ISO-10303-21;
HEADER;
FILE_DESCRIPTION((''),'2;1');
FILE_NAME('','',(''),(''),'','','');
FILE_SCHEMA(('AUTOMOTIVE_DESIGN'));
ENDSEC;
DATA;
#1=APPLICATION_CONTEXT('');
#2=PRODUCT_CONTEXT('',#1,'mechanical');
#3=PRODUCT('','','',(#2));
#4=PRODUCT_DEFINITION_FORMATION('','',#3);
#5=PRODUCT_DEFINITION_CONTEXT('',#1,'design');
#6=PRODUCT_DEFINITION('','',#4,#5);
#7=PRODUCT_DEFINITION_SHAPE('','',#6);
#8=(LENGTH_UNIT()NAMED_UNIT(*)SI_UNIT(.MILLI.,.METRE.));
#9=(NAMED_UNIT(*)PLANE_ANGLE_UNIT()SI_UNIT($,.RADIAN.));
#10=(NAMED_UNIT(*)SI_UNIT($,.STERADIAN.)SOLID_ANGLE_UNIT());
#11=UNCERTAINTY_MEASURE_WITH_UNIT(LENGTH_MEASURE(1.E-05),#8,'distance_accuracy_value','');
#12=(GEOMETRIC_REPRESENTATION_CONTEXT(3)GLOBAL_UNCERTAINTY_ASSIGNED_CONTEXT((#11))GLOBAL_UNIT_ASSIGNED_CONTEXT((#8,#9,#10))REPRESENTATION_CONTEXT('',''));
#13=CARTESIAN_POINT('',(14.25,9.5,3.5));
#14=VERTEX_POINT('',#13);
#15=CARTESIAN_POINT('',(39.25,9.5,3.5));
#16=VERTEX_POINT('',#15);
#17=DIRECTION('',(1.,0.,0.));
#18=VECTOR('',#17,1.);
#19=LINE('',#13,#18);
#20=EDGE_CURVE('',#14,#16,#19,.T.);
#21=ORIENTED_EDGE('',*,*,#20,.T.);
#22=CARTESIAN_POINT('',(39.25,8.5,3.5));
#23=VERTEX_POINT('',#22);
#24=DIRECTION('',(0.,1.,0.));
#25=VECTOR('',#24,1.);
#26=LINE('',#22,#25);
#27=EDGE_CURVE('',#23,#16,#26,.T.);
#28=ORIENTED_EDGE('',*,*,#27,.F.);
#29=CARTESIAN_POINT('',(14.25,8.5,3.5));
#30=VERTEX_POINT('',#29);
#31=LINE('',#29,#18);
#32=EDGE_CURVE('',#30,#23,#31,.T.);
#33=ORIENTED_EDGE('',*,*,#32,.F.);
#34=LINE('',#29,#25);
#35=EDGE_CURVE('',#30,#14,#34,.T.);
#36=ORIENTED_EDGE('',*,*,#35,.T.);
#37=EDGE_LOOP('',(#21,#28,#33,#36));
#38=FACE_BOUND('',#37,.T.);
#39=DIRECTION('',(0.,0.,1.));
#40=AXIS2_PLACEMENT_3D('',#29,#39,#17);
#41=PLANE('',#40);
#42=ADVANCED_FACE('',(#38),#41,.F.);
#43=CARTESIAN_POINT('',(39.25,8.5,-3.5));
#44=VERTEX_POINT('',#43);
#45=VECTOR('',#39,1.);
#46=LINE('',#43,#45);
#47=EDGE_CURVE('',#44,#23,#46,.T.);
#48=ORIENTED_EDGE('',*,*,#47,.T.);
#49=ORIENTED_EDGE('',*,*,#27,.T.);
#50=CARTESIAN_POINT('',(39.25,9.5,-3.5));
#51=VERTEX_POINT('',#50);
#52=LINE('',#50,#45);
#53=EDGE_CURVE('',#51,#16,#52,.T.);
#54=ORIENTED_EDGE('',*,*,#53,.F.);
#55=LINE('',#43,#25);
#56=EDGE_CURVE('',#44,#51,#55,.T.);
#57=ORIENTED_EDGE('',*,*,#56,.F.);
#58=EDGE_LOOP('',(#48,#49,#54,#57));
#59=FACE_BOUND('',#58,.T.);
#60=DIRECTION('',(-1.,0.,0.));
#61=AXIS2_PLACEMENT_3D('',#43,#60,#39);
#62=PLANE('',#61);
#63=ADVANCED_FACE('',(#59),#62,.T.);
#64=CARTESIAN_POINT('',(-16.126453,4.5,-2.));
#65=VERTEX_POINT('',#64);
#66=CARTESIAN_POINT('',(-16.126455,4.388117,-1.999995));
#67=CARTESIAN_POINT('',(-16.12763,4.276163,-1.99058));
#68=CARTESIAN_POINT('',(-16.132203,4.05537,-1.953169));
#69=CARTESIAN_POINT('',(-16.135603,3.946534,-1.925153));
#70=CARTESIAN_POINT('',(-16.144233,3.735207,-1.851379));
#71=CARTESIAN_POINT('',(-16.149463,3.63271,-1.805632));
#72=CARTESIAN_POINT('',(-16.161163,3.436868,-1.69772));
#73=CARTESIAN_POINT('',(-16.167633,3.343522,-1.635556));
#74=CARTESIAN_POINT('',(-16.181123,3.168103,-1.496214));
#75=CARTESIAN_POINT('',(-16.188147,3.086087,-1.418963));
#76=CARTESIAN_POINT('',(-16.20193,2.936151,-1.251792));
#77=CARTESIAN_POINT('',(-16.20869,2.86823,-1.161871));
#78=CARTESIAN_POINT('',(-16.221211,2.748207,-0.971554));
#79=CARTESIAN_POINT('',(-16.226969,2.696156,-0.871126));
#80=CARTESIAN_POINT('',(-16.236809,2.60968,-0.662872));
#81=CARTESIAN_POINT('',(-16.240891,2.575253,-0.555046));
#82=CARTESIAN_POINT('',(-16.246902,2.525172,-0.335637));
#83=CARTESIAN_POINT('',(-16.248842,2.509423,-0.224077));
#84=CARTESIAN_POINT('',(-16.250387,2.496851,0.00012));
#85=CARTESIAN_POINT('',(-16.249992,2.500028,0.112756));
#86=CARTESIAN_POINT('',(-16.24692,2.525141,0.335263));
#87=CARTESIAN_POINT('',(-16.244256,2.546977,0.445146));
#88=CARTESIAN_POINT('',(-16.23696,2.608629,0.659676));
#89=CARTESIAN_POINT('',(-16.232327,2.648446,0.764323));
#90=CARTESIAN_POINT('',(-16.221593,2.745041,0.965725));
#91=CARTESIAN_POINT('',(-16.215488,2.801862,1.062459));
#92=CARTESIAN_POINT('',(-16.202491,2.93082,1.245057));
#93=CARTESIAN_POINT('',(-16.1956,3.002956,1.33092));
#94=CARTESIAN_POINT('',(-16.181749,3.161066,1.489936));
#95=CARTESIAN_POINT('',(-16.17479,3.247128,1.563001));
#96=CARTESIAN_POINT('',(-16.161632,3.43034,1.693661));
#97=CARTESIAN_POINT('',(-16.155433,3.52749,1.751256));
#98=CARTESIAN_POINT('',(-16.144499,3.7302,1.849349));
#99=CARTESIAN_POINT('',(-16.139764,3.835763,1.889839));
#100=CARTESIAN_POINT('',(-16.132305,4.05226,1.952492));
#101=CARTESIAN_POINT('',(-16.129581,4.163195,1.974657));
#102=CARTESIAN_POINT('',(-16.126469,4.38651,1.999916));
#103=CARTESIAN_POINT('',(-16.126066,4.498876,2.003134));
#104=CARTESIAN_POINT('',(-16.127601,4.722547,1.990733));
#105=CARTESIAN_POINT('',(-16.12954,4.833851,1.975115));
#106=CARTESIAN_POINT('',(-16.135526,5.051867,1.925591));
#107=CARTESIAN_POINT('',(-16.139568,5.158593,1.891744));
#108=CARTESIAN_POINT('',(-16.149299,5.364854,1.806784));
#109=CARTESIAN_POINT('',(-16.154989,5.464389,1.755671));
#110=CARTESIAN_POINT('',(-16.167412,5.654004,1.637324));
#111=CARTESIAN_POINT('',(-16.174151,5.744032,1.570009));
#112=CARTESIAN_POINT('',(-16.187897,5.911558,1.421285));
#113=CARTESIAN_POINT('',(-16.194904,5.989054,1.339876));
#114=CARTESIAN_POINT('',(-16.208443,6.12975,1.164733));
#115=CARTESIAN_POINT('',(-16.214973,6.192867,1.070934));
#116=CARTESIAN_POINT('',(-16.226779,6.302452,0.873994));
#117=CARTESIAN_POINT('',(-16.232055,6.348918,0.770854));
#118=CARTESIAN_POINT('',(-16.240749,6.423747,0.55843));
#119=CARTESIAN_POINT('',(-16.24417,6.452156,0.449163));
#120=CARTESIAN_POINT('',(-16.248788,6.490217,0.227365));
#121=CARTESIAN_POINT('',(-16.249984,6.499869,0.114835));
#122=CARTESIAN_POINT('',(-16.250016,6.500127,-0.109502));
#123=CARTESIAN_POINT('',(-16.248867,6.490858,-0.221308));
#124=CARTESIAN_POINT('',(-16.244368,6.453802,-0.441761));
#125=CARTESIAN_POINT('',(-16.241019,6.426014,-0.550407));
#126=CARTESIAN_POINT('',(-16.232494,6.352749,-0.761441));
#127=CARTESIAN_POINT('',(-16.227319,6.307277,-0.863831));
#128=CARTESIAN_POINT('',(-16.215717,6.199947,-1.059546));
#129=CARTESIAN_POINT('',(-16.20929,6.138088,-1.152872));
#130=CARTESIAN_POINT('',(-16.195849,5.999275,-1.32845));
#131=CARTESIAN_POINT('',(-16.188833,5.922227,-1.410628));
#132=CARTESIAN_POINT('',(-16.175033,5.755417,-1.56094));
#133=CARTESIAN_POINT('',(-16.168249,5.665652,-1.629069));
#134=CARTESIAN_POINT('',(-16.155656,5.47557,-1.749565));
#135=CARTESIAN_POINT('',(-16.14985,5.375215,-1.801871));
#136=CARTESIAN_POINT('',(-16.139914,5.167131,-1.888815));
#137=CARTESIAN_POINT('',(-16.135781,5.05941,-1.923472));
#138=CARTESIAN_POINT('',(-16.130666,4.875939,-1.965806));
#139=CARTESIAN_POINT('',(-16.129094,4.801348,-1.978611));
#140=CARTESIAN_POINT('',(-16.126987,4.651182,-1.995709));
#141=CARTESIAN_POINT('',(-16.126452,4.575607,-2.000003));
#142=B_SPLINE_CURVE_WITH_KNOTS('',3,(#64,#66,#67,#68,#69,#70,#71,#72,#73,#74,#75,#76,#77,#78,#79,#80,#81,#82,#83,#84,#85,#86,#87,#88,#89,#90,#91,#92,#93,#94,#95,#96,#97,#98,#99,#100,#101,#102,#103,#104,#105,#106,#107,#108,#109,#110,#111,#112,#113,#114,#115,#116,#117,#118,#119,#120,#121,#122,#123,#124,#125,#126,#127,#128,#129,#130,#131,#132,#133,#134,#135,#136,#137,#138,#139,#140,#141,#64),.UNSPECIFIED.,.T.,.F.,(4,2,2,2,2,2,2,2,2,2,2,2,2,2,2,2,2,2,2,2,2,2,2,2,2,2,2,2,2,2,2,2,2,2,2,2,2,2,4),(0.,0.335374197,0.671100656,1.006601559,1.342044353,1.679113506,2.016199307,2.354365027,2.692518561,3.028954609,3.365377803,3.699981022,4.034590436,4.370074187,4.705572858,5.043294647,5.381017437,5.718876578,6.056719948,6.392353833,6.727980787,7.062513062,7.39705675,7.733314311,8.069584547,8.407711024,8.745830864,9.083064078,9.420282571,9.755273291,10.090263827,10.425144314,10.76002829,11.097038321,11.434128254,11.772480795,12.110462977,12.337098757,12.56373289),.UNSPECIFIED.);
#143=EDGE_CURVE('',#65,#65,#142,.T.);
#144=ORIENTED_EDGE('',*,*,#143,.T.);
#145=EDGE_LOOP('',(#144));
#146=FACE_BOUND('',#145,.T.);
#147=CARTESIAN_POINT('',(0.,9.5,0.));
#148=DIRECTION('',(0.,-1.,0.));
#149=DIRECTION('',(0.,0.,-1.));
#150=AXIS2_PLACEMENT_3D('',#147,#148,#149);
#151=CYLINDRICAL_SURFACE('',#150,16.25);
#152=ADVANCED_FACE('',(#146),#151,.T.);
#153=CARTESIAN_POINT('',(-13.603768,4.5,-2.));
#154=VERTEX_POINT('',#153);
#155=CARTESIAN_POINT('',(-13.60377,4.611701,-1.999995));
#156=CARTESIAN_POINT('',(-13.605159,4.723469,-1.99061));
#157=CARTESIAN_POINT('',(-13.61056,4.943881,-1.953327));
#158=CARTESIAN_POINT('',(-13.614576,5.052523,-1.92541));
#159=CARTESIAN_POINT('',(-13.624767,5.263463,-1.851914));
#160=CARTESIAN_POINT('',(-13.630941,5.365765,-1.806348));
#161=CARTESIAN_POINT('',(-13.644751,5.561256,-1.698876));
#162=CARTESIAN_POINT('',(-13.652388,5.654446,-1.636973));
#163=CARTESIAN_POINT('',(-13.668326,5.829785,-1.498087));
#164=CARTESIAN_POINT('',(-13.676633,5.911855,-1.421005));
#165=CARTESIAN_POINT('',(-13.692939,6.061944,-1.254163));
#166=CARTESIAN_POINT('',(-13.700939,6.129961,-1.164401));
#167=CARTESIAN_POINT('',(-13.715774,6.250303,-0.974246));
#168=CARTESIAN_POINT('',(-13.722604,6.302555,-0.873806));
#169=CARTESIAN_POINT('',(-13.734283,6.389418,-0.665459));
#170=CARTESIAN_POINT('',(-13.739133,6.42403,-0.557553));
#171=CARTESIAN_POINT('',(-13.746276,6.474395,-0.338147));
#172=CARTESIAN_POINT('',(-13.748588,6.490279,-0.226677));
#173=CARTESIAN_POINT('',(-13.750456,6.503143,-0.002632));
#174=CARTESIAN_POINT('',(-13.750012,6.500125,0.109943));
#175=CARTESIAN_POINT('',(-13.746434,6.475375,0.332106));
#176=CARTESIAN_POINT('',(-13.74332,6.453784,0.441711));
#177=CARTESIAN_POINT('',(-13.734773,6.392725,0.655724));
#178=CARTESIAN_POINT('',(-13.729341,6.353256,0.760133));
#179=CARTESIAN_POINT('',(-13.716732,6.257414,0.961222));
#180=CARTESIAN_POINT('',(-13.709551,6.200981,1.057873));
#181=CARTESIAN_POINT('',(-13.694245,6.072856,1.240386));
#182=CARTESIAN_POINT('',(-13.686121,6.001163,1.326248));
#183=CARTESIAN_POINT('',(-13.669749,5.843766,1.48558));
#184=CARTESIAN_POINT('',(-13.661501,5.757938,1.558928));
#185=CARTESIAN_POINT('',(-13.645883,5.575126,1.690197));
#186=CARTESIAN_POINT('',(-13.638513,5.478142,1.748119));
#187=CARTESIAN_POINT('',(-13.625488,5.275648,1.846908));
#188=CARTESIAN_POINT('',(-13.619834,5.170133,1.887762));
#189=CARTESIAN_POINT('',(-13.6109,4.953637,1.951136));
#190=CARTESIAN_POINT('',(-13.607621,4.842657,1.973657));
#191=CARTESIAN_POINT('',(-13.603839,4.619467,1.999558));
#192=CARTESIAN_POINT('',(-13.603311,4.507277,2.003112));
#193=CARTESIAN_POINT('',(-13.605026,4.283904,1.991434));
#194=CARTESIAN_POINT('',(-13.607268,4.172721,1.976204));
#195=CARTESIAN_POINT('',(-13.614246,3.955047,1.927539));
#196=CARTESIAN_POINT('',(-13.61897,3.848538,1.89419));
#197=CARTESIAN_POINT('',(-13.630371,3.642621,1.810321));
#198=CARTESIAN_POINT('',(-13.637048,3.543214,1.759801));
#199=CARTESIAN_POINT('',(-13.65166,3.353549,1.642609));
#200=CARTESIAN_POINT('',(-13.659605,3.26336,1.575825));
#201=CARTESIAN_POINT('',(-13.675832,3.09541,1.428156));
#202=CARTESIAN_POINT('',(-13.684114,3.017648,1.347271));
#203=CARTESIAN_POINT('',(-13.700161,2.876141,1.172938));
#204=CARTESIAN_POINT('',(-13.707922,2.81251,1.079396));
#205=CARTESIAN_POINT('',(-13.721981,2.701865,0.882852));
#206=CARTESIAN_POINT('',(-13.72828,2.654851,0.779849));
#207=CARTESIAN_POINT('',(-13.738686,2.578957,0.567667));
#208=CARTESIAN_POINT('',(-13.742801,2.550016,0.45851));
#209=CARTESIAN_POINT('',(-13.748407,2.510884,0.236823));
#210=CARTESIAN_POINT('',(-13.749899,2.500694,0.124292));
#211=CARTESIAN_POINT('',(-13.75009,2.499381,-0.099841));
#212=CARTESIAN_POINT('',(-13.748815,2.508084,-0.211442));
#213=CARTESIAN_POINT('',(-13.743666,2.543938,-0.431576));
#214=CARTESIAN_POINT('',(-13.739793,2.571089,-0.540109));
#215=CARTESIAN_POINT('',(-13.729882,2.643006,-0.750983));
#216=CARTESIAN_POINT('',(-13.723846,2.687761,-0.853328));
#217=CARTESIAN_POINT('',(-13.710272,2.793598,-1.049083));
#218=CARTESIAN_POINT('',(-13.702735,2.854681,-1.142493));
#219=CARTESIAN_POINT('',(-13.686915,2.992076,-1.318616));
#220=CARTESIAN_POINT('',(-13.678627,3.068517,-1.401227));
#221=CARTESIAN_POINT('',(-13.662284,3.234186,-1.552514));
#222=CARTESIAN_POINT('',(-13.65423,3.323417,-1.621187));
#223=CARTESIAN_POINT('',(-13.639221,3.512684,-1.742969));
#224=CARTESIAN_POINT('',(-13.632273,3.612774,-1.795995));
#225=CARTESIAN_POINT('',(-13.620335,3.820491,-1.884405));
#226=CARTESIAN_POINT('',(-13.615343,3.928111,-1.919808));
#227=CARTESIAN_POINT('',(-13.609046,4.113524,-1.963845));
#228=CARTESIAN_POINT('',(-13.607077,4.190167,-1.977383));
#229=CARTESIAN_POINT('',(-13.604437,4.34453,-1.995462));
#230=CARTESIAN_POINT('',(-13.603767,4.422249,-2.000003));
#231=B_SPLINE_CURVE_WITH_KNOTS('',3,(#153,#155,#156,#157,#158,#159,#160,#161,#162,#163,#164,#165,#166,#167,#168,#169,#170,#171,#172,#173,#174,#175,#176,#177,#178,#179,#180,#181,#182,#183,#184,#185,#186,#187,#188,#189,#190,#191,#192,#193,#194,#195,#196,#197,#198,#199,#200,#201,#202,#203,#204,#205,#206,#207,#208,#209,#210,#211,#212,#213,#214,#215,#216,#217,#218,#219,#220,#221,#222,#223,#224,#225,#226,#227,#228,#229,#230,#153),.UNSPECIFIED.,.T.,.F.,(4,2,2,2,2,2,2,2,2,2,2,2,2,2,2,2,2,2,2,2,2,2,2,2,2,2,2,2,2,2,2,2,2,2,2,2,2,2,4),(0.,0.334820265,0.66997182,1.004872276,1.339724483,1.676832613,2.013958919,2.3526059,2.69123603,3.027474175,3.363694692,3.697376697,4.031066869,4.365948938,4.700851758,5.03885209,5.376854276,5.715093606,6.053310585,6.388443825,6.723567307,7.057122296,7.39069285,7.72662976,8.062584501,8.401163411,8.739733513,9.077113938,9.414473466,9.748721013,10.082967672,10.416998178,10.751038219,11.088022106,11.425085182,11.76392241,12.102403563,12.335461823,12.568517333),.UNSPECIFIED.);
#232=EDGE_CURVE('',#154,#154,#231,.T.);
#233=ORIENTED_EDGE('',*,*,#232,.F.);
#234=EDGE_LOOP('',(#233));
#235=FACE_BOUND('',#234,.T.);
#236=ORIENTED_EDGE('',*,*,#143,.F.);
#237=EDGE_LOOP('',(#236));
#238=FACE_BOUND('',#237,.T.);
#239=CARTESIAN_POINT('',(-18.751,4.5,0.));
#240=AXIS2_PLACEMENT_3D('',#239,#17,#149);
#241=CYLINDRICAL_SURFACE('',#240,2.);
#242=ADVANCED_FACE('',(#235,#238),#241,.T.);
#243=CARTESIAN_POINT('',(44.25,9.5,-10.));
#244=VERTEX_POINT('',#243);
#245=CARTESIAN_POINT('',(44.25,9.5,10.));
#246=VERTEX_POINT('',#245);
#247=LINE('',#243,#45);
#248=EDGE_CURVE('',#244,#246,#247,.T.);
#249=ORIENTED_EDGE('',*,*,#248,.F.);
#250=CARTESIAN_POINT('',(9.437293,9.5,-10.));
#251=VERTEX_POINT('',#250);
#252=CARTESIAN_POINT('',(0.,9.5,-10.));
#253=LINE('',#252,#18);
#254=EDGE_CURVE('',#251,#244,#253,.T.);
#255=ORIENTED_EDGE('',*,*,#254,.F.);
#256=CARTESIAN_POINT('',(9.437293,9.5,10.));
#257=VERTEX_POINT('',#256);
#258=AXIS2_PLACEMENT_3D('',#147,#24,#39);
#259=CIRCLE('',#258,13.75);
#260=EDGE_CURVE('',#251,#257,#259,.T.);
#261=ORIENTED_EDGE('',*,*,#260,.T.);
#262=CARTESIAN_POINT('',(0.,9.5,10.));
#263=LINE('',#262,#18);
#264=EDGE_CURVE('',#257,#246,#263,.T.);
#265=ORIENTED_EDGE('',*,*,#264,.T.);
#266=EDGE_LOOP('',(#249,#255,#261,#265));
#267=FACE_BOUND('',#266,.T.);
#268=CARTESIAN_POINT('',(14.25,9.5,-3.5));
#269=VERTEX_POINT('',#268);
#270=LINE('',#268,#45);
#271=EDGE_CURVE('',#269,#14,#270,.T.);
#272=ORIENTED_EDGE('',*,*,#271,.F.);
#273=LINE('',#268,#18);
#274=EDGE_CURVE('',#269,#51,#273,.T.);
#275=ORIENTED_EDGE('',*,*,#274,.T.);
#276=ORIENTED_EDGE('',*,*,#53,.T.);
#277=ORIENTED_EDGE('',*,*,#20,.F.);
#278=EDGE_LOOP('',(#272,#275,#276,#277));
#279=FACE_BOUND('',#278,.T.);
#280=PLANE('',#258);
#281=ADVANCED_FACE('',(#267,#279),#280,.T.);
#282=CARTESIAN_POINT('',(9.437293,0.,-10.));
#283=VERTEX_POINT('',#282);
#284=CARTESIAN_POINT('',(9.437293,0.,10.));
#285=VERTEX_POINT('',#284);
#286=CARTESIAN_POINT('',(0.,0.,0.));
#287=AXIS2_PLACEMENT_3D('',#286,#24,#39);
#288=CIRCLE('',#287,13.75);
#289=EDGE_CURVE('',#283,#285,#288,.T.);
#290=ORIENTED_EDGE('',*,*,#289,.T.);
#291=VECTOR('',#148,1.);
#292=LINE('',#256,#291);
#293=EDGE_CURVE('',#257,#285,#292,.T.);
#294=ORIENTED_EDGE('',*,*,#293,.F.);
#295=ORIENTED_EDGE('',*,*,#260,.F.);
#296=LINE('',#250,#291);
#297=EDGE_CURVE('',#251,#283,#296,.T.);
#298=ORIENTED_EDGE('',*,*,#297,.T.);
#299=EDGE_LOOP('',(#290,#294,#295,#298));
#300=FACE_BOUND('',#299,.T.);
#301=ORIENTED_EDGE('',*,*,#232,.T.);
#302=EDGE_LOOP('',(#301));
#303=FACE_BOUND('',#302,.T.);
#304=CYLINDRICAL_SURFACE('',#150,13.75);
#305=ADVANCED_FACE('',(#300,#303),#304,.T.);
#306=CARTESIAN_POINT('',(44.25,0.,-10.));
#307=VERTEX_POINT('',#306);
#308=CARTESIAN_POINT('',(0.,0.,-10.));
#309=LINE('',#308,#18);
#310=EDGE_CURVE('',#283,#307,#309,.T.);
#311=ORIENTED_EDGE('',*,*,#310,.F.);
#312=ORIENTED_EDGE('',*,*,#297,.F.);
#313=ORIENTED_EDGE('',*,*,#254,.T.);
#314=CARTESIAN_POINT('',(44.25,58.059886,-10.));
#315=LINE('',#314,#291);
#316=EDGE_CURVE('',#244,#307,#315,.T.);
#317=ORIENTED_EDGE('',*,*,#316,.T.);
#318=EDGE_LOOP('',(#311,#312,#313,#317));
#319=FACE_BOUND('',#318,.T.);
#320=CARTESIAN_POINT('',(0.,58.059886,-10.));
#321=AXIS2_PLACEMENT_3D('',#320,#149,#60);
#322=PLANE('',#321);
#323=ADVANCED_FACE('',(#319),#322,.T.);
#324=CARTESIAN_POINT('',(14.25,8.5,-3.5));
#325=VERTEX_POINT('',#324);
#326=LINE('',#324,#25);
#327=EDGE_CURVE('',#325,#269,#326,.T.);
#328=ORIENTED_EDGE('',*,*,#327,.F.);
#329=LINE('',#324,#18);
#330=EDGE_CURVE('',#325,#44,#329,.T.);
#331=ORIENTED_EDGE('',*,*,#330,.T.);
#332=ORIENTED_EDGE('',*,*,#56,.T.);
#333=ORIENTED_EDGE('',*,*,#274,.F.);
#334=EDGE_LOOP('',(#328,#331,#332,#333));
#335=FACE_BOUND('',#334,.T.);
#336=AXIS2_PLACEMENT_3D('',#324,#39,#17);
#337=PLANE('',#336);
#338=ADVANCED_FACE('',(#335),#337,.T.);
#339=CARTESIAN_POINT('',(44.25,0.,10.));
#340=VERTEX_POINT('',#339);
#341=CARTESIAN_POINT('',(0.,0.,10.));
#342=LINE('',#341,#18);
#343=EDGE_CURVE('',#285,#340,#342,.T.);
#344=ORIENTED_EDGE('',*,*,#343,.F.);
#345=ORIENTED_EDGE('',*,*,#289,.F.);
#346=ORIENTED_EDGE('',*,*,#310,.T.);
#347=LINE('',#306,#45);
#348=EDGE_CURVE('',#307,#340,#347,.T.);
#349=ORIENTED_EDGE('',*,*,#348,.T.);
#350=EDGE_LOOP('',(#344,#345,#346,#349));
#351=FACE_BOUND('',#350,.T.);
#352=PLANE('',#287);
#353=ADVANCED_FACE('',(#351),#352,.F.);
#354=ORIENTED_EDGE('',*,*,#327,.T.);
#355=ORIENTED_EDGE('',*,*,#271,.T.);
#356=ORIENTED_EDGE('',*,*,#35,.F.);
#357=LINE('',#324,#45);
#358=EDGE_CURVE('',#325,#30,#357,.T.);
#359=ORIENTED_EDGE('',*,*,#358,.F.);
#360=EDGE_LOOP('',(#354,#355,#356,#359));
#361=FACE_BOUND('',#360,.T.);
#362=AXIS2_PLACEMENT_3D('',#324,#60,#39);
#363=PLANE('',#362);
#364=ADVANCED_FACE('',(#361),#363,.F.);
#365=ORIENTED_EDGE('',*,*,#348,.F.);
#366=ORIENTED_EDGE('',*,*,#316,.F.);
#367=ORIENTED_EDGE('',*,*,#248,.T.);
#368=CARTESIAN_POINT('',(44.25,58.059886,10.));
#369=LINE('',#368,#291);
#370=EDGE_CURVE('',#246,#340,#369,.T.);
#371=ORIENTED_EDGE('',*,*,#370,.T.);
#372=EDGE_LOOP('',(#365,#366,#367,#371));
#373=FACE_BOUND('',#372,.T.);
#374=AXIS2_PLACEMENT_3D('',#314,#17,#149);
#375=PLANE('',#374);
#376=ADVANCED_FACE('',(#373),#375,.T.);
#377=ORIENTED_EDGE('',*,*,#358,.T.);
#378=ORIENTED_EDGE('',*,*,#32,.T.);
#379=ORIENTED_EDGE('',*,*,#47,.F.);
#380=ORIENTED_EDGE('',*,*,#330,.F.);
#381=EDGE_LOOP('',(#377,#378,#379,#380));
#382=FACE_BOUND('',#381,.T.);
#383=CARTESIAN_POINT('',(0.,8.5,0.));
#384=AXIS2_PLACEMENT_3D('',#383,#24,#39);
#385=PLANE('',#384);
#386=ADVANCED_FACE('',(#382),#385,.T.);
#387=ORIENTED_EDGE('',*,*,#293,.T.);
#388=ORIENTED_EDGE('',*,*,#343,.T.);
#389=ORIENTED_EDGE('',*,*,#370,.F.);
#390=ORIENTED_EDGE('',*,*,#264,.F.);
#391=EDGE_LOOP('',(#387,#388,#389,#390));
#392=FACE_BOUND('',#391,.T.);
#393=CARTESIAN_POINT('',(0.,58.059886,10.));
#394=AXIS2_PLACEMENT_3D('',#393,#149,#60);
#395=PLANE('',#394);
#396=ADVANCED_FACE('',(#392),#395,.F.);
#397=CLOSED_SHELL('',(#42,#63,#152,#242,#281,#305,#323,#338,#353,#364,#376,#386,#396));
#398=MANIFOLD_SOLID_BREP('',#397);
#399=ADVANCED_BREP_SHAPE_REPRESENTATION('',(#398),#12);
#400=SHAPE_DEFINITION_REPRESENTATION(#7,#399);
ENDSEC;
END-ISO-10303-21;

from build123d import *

# Parameters (mm, degrees)
SKETCH1_R                = 13.75
BOSS_EXTRUDE1_DEPTH      = 9.5
SKETCH2_W                = 44.25
SKETCH2_H                = 20
BOSS_EXTRUDE2_DEPTH      = 9.5
BOSS_EXTRUDE3_REACH      = 49.301
BOSS_EXTRUDE3_END_RADIUS = 16.25
SKETCH3_R                = 2
SKETCH4_W                = 25
SKETCH4_H                = 7
CUT_EXTRUDE1_DEPTH       = 1


with BuildPart() as part:
    # Sketch1 → Boss-Extrude1 (new body)
    with BuildSketch(Plane(origin=(0, 0, 0), x_dir=(1, 0, 0), z_dir=(0, 1, 0))):
        with Locations(Location((0, 0, 0), (0, 0, 270))):
            Circle(SKETCH1_R)
    extrude(amount=BOSS_EXTRUDE1_DEPTH)

    # Sketch2 → Boss-Extrude2 (add)
    with BuildSketch(Plane(origin=(0, 0, 0), x_dir=(1, 0, 0), z_dir=(0, 1, 0))):
        with Locations((22.125, 0)):
            Rectangle(SKETCH2_W, SKETCH2_H)
    extrude(amount=BOSS_EXTRUDE2_DEPTH)

    # Boss-Extrude3: up to this cylinder (the profile starts inside it)
    boss_extrude3_end = Plane(origin=(0, 4.5, 0), z_dir=(0, -1, 0)) * Cylinder(BOSS_EXTRUDE3_END_RADIUS, 132.102, mode=Mode.PRIVATE)
    # Sketch3 → Boss-Extrude3 (add, up to the surface)
    with BuildSketch(Plane(origin=(0, 0, 0), x_dir=(0, 0, -1), z_dir=(1, 0, 0)), mode=Mode.PRIVATE) as boss_extrude3_sk1:
        with Locations((0, 4.5)):
            Circle(SKETCH3_R)
    boss_extrude3_tool1 = extrude(boss_extrude3_sk1.sketch, amount=-BOSS_EXTRUDE3_REACH, mode=Mode.PRIVATE) & boss_extrude3_end
    add(boss_extrude3_tool1.solids().sort_by_distance((0, 4.5, 0))[0])

    # Sketch4 → Cut-Extrude1 (cut)
    with BuildSketch(Plane(origin=(0, 9.5, 0), x_dir=(1, 0, 0), z_dir=(0, 1, 0))):
        with Locations((26.75, 0)):
            Rectangle(SKETCH4_W, SKETCH4_H)
    extrude(amount=-CUT_EXTRUDE1_DEPTH, mode=Mode.SUBTRACT)


solid = part.part
